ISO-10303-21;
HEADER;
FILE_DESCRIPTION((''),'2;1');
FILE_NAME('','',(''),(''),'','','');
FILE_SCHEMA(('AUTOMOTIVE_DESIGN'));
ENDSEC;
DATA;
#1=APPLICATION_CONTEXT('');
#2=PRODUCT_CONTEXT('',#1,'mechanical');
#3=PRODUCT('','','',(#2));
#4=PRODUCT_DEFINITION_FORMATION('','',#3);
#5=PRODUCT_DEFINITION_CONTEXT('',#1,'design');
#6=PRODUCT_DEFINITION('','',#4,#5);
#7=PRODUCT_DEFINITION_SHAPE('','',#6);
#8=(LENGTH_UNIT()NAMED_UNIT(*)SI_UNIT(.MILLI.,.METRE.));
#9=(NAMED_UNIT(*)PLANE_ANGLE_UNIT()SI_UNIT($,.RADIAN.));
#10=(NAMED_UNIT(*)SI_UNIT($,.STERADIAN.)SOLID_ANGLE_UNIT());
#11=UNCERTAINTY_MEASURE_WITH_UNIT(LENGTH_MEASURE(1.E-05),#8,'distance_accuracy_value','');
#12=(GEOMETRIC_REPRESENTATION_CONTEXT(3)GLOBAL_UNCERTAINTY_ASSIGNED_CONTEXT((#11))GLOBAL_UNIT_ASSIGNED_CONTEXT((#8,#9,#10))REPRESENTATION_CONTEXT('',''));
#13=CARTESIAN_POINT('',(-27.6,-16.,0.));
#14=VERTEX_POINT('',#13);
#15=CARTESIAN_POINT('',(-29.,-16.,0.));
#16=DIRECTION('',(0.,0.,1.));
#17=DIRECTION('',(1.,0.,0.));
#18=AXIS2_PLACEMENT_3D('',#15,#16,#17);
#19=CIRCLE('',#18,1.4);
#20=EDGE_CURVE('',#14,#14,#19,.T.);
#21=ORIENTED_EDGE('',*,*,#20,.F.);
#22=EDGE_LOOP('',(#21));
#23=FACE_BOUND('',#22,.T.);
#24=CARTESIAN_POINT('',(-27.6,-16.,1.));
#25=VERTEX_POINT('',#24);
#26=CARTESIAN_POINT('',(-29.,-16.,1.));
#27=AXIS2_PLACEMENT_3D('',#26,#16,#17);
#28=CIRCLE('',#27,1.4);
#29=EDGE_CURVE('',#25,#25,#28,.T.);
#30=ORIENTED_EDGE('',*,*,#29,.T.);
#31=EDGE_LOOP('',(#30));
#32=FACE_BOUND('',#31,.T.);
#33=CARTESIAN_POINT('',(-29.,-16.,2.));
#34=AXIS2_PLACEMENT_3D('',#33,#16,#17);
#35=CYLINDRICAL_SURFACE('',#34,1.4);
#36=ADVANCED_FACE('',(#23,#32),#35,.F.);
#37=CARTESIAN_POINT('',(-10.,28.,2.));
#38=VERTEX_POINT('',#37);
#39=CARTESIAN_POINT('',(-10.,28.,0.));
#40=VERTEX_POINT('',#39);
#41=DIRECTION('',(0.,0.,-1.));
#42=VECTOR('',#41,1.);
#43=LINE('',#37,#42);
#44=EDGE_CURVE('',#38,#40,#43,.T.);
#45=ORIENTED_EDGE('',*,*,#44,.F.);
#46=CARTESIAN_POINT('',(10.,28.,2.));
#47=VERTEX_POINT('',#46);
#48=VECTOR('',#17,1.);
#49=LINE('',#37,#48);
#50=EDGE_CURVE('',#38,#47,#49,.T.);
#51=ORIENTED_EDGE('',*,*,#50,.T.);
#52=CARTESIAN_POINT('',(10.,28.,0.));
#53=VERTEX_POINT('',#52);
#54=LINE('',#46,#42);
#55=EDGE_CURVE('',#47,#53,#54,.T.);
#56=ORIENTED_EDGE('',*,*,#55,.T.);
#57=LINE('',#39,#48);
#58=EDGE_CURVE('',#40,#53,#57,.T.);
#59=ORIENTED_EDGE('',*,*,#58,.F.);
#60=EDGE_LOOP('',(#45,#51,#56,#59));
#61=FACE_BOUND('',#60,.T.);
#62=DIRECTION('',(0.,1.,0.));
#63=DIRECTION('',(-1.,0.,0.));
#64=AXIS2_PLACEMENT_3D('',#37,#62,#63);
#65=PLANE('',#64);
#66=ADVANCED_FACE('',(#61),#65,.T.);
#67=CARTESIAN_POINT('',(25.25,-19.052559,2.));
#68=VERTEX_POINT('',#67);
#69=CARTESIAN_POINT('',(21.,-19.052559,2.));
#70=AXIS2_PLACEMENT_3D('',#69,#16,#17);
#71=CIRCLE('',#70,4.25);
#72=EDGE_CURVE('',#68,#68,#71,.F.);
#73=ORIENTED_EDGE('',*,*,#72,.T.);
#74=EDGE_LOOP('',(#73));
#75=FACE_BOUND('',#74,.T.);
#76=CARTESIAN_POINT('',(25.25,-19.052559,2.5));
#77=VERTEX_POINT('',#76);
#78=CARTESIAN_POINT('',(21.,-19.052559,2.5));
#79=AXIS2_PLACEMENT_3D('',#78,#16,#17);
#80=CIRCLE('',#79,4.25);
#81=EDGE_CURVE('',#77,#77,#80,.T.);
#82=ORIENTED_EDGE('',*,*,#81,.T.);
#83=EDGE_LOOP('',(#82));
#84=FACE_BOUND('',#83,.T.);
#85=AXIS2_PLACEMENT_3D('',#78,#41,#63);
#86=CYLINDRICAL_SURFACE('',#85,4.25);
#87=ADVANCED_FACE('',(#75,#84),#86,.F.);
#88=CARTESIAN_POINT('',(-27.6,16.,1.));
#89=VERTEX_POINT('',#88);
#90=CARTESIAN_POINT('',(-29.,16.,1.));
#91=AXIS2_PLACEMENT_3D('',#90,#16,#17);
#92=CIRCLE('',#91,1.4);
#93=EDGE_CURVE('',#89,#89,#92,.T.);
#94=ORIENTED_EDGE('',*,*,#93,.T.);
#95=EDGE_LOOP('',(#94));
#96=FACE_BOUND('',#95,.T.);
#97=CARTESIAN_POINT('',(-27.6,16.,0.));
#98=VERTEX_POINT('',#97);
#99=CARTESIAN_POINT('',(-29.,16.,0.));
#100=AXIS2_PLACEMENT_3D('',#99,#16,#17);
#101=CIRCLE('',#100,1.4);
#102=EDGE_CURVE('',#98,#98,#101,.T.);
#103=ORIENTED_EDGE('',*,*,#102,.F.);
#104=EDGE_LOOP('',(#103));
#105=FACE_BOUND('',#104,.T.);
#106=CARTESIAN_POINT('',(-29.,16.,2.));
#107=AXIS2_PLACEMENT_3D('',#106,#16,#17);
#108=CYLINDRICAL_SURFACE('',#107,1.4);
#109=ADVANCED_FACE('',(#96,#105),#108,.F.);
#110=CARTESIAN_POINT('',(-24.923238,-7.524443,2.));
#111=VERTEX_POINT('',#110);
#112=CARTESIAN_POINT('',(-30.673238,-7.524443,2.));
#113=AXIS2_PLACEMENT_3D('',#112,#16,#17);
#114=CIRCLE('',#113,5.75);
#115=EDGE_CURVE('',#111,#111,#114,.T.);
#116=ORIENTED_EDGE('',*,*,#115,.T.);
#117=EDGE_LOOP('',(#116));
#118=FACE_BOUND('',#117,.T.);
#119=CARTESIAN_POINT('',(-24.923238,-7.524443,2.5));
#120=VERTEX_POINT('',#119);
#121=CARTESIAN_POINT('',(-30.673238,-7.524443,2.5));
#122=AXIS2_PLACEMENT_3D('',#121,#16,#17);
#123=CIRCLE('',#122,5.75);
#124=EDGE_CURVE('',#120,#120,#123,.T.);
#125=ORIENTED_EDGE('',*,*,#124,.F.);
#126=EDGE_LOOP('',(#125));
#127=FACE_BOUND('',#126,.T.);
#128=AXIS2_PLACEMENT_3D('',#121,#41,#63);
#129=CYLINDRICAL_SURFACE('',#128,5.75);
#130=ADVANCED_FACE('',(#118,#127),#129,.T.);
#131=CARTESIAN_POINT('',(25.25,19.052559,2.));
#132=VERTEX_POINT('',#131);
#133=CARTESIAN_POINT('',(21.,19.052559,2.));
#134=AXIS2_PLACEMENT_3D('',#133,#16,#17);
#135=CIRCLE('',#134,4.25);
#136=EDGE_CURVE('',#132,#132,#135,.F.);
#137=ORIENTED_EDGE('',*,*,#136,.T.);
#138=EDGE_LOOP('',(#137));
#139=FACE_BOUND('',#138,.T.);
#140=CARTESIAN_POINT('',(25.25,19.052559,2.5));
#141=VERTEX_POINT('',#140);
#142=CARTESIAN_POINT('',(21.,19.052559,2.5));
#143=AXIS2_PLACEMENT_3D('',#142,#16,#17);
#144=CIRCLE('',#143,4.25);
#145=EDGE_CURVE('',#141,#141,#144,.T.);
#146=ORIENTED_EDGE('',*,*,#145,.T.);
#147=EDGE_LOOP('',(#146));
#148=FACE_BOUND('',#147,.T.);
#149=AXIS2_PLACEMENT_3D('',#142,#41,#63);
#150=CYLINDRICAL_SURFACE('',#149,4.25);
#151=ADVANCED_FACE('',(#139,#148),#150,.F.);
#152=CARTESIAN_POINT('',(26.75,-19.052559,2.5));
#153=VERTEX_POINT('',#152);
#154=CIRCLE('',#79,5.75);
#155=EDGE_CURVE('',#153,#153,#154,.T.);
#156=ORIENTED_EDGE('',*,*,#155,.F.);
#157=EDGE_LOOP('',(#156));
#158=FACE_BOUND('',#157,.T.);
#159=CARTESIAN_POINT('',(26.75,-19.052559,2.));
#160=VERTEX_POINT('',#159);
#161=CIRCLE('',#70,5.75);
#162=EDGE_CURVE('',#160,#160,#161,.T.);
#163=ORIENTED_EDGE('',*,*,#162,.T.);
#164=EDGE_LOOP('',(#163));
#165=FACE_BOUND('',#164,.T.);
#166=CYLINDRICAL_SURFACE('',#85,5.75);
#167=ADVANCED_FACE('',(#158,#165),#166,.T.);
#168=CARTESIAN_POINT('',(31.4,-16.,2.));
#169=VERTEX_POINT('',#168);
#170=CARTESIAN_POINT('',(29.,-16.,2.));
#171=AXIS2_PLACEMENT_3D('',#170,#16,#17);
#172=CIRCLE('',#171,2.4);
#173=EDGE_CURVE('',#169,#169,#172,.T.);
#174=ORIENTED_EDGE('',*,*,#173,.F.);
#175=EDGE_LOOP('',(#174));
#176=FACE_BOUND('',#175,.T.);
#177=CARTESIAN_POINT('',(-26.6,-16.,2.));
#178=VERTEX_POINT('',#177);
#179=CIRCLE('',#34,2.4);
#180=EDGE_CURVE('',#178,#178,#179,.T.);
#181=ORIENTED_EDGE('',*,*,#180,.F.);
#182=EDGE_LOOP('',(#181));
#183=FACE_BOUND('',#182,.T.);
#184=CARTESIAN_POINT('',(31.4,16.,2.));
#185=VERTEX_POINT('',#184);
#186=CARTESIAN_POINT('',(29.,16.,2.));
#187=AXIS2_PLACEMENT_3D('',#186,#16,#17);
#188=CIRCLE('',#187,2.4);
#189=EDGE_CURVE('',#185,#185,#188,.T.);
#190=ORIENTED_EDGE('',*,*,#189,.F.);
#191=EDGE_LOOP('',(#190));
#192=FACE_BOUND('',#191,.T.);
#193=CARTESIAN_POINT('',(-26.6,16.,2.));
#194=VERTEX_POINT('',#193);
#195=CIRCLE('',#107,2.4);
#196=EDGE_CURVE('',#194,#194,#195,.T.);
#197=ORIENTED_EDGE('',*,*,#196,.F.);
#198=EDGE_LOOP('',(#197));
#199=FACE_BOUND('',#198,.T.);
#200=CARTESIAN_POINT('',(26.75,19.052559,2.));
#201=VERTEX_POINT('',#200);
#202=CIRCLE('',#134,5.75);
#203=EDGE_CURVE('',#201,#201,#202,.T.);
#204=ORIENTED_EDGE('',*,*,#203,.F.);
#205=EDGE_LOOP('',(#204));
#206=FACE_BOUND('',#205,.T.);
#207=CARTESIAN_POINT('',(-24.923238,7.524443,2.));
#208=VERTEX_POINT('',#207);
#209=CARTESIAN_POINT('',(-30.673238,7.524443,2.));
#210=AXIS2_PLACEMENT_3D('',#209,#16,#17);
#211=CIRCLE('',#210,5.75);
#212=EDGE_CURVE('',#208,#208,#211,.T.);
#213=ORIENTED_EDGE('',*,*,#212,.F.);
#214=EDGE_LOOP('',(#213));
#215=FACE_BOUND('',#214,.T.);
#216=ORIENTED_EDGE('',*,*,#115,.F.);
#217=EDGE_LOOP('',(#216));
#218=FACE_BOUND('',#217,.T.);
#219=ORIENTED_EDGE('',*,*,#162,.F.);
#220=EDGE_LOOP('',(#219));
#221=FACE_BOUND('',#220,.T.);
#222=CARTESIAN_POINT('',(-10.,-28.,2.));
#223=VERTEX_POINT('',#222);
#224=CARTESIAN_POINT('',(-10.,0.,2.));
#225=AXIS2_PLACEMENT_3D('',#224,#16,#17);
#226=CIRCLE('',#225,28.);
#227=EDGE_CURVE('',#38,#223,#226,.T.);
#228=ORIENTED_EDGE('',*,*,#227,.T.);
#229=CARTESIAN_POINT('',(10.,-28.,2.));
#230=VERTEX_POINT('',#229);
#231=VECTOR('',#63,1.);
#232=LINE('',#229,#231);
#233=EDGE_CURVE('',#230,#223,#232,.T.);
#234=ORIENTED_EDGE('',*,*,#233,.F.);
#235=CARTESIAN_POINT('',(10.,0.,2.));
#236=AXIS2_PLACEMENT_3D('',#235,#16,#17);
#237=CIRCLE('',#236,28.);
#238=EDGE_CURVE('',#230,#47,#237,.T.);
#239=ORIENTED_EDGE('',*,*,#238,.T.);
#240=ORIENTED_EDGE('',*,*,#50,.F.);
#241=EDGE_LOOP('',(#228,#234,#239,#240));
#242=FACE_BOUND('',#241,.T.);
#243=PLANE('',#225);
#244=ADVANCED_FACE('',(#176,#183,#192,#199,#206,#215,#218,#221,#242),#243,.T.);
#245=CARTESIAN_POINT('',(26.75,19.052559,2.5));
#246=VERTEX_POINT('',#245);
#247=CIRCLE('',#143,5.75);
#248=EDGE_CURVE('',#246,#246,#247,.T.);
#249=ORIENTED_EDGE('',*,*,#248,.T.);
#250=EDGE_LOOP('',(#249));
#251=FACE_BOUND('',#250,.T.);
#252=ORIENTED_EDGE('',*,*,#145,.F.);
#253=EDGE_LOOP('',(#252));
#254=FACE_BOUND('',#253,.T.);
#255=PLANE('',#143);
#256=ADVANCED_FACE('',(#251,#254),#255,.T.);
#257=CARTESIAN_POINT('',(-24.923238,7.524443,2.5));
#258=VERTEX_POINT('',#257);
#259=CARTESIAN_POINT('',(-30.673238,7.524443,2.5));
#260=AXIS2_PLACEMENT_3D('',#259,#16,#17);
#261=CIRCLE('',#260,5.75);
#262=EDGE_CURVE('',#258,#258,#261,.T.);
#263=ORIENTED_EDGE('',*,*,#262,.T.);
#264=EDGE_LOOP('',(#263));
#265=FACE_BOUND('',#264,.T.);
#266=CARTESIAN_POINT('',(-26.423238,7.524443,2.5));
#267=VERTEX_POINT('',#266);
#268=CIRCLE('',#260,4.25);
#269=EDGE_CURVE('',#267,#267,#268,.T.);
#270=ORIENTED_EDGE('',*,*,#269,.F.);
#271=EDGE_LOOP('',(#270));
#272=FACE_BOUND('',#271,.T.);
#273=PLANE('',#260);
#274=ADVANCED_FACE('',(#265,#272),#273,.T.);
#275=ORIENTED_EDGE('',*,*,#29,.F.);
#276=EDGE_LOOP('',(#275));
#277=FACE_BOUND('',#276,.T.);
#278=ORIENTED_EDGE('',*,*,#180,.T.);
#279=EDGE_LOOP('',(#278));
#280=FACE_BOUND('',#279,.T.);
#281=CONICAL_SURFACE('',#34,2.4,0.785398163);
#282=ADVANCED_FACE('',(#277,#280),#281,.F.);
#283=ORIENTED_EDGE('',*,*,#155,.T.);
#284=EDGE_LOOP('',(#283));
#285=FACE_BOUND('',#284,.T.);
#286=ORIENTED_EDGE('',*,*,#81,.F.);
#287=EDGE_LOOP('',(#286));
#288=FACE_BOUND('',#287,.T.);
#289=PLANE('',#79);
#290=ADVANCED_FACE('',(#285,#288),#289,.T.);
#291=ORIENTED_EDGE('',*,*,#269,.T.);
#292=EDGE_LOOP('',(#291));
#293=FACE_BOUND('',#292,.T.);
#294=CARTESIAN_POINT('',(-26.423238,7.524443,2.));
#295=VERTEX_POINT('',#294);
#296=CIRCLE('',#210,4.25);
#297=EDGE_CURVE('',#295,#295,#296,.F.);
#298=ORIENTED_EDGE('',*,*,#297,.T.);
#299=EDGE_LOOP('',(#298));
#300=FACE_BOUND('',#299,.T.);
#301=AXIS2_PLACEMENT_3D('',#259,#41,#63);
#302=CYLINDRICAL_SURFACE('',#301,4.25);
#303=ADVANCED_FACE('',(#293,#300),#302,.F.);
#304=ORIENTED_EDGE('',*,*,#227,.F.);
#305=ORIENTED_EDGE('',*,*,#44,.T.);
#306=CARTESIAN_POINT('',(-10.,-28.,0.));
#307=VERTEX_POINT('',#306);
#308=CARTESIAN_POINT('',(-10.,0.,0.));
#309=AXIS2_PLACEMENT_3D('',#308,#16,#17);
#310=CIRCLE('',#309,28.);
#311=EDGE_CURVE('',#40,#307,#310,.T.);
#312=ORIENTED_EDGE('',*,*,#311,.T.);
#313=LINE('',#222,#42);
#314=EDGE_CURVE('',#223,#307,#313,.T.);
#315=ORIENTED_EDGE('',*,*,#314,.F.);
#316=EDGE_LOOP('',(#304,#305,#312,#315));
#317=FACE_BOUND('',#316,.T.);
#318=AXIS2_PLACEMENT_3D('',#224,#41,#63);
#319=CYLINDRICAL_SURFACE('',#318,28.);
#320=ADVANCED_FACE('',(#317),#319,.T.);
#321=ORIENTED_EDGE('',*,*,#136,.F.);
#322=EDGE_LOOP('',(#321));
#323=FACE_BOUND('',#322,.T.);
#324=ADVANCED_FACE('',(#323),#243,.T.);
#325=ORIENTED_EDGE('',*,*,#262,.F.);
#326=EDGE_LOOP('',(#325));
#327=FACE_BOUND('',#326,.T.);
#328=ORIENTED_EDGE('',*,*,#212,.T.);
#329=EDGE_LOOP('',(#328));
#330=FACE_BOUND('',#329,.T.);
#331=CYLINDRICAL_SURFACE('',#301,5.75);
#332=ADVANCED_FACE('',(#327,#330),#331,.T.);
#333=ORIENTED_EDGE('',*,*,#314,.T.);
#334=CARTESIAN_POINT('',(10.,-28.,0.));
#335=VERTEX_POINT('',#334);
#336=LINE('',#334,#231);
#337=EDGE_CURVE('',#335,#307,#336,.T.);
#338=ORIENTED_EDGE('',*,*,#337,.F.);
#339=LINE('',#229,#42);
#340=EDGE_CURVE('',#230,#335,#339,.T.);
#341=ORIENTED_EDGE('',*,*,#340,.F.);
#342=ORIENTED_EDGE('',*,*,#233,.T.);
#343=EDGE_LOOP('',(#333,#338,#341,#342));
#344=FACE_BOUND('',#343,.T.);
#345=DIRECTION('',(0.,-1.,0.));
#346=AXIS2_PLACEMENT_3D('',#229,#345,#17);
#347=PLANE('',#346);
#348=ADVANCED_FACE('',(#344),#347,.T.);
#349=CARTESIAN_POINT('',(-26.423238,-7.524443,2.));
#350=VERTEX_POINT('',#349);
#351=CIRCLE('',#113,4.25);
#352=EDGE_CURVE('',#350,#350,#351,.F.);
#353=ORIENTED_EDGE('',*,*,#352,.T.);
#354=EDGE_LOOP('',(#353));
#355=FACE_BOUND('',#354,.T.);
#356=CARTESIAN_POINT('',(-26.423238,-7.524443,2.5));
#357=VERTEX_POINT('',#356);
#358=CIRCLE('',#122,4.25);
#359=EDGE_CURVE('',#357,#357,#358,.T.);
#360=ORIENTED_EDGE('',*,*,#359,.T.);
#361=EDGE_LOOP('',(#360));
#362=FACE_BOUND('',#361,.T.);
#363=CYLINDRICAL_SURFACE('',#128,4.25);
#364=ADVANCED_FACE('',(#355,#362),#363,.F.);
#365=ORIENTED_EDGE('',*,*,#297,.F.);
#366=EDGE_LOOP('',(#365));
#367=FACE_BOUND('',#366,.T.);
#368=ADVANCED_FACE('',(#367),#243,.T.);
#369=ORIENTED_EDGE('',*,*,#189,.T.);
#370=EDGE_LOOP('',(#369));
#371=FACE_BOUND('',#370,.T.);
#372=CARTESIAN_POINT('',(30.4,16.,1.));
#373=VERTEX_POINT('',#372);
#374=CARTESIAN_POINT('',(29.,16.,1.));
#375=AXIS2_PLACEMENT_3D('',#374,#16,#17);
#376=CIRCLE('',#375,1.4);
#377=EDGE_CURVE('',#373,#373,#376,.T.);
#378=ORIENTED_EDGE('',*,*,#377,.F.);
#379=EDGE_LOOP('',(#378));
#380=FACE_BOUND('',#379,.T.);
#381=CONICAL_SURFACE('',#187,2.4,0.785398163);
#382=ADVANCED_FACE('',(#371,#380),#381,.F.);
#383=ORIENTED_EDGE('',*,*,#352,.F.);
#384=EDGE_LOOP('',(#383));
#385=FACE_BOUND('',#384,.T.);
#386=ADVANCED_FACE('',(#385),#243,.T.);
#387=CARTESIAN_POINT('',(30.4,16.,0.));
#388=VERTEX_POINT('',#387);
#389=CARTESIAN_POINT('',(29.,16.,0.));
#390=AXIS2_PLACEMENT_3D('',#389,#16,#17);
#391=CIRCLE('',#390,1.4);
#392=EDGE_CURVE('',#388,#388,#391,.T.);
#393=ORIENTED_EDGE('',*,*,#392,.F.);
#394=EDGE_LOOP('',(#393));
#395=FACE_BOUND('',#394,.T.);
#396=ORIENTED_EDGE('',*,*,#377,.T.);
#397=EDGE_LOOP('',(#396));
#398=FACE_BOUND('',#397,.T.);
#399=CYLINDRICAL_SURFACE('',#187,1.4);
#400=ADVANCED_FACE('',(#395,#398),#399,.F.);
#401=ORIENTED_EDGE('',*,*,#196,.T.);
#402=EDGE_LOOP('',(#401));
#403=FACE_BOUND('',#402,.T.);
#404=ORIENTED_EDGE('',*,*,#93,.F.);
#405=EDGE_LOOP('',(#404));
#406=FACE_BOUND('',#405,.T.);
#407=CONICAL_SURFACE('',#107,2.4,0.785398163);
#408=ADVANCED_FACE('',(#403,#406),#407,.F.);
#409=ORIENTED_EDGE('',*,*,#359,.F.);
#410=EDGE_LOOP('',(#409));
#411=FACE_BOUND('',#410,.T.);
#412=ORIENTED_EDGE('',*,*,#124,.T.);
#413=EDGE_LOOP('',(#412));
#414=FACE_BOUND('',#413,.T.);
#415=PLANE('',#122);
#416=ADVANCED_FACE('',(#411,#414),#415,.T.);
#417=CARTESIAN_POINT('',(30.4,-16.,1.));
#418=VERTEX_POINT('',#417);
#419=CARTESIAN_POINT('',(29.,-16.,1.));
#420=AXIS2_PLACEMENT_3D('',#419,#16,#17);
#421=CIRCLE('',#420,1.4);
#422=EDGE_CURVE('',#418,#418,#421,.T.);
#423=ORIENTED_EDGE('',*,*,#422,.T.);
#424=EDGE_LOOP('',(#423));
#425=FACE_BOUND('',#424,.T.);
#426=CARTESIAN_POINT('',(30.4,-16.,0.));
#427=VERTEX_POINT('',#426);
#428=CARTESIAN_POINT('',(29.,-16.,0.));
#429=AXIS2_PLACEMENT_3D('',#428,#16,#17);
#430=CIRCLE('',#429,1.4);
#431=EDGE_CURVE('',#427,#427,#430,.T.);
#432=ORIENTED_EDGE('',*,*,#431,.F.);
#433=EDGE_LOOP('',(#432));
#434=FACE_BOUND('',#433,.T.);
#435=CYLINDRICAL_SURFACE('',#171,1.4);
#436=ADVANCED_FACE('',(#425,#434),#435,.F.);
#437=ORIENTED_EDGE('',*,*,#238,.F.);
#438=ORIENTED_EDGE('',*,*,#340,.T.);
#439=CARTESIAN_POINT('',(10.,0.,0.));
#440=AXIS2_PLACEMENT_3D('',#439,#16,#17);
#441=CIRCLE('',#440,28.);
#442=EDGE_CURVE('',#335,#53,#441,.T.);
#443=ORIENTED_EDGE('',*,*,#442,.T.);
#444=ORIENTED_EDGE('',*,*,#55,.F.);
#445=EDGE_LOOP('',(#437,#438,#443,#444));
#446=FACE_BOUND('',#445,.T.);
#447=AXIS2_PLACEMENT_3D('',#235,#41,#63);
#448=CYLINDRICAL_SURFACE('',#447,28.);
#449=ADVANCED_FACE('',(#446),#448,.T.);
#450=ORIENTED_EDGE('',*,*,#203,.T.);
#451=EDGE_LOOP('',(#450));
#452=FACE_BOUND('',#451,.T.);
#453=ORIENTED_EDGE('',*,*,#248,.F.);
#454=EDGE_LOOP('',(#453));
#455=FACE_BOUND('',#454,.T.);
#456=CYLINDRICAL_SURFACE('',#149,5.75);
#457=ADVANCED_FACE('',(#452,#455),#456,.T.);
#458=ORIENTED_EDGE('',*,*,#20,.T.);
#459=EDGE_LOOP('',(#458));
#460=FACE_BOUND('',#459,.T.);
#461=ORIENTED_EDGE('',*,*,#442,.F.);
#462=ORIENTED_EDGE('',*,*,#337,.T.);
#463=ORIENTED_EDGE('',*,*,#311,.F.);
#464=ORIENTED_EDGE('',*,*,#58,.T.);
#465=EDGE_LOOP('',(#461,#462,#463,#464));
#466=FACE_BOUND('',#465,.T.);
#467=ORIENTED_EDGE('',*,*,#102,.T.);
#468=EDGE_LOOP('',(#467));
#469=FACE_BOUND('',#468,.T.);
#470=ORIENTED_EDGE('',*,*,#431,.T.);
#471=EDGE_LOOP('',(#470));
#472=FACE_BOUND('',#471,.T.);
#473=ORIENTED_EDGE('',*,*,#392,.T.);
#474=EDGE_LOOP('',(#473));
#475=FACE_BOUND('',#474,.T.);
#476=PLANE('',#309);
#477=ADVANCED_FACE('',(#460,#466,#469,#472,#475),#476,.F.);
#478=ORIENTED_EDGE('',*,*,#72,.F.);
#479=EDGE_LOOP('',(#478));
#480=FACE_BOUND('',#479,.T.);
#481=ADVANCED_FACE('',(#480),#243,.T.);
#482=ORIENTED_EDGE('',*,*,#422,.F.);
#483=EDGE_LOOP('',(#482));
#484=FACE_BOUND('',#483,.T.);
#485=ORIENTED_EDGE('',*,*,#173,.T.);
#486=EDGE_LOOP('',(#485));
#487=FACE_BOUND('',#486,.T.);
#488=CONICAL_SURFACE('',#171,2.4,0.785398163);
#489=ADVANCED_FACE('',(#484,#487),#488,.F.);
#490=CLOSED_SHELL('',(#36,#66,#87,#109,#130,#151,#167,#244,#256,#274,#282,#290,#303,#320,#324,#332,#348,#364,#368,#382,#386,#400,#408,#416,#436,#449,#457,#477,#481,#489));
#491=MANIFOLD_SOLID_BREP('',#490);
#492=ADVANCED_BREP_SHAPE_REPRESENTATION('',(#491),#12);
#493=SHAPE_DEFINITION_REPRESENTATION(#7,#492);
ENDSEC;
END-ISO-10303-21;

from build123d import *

# Parameters (mm, degrees)
EXTRUDE_2_DEPTH           = 2
HOLE_WIZARD_0_D           = 2.8
HOLE_WIZARD_0_DEPTH       = 10.1
HOLE_WIZARD_0_CSINK_D     = 4.8
HOLE_WIZARD_0_CSINK_ANGLE = 90
HOLE_WIZARD_0_TIP         = 0.841204867
SKETCH_7_R                = 5.75
SKETCH_7_R_2              = 4.25
EXTRUDE_1_DEPTH           = 0.5


with BuildPart() as part:
    # 草图3 → 凸台-拉伸2 (new body)
    with BuildSketch(Plane.XY):
        with BuildLine():
            Line((10, -28), (-10, -28))
            ThreePointArc((-10, -28), (-38, 0), (-10, 28))
            Line((-10, 28), (10, 28))
            ThreePointArc((10, 28), (38, 0), (10, -28))
        make_face()
    extrude(amount=EXTRUDE_2_DEPTH)

    # 打孔尺寸(%根据十字)槽沉头自攻螺钉的类型0
    with Locations(Plane.XY.offset(2)):
        with Locations((-29, 16), (-29, -16), (29, 16), (29, -16)):
            CounterSinkHole(HOLE_WIZARD_0_D / 2, HOLE_WIZARD_0_CSINK_D / 2, depth=HOLE_WIZARD_0_DEPTH, counter_sink_angle=HOLE_WIZARD_0_CSINK_ANGLE)
            with Locations((0, 0, -(HOLE_WIZARD_0_DEPTH + HOLE_WIZARD_0_TIP / 2))):  # 118° drill point
                Cone(0, HOLE_WIZARD_0_D / 2, HOLE_WIZARD_0_TIP, mode=Mode.SUBTRACT)

    # 草图7 → 拉伸-薄壁1 (add)
    # profile 1 of 4: a face of its own
    with BuildSketch(Plane.XY.offset(2)):
        with Locations((-30.673237657, 7.524443153)):
            Circle(SKETCH_7_R)
        with Locations((-30.673237657, 7.524443153)):
            Circle(SKETCH_7_R_2, mode=Mode.SUBTRACT)
    # profile 2 of 4: a face of its own
    with BuildSketch(Plane.XY.offset(2)):
        with Locations((-30.673237657, -7.524443153)):
            Circle(SKETCH_7_R)
        with Locations((-30.673237657, -7.524443153)):
            Circle(SKETCH_7_R_2, mode=Mode.SUBTRACT)
    # profile 3 of 4: a face of its own
    with BuildSketch(Plane.XY.offset(2)):
        with Locations((21, -19.052558883)):
            Circle(SKETCH_7_R)
        with Locations((21, -19.052558883)):
            Circle(SKETCH_7_R_2, mode=Mode.SUBTRACT)
    # profile 4 of 4: a face of its own
    with BuildSketch(Plane.XY.offset(2)):
        with Locations((21, 19.052558883)):
            Circle(SKETCH_7_R)
        with Locations((21, 19.052558883)):
            Circle(SKETCH_7_R_2, mode=Mode.SUBTRACT)
    extrude(amount=EXTRUDE_1_DEPTH)


solid = part.part
